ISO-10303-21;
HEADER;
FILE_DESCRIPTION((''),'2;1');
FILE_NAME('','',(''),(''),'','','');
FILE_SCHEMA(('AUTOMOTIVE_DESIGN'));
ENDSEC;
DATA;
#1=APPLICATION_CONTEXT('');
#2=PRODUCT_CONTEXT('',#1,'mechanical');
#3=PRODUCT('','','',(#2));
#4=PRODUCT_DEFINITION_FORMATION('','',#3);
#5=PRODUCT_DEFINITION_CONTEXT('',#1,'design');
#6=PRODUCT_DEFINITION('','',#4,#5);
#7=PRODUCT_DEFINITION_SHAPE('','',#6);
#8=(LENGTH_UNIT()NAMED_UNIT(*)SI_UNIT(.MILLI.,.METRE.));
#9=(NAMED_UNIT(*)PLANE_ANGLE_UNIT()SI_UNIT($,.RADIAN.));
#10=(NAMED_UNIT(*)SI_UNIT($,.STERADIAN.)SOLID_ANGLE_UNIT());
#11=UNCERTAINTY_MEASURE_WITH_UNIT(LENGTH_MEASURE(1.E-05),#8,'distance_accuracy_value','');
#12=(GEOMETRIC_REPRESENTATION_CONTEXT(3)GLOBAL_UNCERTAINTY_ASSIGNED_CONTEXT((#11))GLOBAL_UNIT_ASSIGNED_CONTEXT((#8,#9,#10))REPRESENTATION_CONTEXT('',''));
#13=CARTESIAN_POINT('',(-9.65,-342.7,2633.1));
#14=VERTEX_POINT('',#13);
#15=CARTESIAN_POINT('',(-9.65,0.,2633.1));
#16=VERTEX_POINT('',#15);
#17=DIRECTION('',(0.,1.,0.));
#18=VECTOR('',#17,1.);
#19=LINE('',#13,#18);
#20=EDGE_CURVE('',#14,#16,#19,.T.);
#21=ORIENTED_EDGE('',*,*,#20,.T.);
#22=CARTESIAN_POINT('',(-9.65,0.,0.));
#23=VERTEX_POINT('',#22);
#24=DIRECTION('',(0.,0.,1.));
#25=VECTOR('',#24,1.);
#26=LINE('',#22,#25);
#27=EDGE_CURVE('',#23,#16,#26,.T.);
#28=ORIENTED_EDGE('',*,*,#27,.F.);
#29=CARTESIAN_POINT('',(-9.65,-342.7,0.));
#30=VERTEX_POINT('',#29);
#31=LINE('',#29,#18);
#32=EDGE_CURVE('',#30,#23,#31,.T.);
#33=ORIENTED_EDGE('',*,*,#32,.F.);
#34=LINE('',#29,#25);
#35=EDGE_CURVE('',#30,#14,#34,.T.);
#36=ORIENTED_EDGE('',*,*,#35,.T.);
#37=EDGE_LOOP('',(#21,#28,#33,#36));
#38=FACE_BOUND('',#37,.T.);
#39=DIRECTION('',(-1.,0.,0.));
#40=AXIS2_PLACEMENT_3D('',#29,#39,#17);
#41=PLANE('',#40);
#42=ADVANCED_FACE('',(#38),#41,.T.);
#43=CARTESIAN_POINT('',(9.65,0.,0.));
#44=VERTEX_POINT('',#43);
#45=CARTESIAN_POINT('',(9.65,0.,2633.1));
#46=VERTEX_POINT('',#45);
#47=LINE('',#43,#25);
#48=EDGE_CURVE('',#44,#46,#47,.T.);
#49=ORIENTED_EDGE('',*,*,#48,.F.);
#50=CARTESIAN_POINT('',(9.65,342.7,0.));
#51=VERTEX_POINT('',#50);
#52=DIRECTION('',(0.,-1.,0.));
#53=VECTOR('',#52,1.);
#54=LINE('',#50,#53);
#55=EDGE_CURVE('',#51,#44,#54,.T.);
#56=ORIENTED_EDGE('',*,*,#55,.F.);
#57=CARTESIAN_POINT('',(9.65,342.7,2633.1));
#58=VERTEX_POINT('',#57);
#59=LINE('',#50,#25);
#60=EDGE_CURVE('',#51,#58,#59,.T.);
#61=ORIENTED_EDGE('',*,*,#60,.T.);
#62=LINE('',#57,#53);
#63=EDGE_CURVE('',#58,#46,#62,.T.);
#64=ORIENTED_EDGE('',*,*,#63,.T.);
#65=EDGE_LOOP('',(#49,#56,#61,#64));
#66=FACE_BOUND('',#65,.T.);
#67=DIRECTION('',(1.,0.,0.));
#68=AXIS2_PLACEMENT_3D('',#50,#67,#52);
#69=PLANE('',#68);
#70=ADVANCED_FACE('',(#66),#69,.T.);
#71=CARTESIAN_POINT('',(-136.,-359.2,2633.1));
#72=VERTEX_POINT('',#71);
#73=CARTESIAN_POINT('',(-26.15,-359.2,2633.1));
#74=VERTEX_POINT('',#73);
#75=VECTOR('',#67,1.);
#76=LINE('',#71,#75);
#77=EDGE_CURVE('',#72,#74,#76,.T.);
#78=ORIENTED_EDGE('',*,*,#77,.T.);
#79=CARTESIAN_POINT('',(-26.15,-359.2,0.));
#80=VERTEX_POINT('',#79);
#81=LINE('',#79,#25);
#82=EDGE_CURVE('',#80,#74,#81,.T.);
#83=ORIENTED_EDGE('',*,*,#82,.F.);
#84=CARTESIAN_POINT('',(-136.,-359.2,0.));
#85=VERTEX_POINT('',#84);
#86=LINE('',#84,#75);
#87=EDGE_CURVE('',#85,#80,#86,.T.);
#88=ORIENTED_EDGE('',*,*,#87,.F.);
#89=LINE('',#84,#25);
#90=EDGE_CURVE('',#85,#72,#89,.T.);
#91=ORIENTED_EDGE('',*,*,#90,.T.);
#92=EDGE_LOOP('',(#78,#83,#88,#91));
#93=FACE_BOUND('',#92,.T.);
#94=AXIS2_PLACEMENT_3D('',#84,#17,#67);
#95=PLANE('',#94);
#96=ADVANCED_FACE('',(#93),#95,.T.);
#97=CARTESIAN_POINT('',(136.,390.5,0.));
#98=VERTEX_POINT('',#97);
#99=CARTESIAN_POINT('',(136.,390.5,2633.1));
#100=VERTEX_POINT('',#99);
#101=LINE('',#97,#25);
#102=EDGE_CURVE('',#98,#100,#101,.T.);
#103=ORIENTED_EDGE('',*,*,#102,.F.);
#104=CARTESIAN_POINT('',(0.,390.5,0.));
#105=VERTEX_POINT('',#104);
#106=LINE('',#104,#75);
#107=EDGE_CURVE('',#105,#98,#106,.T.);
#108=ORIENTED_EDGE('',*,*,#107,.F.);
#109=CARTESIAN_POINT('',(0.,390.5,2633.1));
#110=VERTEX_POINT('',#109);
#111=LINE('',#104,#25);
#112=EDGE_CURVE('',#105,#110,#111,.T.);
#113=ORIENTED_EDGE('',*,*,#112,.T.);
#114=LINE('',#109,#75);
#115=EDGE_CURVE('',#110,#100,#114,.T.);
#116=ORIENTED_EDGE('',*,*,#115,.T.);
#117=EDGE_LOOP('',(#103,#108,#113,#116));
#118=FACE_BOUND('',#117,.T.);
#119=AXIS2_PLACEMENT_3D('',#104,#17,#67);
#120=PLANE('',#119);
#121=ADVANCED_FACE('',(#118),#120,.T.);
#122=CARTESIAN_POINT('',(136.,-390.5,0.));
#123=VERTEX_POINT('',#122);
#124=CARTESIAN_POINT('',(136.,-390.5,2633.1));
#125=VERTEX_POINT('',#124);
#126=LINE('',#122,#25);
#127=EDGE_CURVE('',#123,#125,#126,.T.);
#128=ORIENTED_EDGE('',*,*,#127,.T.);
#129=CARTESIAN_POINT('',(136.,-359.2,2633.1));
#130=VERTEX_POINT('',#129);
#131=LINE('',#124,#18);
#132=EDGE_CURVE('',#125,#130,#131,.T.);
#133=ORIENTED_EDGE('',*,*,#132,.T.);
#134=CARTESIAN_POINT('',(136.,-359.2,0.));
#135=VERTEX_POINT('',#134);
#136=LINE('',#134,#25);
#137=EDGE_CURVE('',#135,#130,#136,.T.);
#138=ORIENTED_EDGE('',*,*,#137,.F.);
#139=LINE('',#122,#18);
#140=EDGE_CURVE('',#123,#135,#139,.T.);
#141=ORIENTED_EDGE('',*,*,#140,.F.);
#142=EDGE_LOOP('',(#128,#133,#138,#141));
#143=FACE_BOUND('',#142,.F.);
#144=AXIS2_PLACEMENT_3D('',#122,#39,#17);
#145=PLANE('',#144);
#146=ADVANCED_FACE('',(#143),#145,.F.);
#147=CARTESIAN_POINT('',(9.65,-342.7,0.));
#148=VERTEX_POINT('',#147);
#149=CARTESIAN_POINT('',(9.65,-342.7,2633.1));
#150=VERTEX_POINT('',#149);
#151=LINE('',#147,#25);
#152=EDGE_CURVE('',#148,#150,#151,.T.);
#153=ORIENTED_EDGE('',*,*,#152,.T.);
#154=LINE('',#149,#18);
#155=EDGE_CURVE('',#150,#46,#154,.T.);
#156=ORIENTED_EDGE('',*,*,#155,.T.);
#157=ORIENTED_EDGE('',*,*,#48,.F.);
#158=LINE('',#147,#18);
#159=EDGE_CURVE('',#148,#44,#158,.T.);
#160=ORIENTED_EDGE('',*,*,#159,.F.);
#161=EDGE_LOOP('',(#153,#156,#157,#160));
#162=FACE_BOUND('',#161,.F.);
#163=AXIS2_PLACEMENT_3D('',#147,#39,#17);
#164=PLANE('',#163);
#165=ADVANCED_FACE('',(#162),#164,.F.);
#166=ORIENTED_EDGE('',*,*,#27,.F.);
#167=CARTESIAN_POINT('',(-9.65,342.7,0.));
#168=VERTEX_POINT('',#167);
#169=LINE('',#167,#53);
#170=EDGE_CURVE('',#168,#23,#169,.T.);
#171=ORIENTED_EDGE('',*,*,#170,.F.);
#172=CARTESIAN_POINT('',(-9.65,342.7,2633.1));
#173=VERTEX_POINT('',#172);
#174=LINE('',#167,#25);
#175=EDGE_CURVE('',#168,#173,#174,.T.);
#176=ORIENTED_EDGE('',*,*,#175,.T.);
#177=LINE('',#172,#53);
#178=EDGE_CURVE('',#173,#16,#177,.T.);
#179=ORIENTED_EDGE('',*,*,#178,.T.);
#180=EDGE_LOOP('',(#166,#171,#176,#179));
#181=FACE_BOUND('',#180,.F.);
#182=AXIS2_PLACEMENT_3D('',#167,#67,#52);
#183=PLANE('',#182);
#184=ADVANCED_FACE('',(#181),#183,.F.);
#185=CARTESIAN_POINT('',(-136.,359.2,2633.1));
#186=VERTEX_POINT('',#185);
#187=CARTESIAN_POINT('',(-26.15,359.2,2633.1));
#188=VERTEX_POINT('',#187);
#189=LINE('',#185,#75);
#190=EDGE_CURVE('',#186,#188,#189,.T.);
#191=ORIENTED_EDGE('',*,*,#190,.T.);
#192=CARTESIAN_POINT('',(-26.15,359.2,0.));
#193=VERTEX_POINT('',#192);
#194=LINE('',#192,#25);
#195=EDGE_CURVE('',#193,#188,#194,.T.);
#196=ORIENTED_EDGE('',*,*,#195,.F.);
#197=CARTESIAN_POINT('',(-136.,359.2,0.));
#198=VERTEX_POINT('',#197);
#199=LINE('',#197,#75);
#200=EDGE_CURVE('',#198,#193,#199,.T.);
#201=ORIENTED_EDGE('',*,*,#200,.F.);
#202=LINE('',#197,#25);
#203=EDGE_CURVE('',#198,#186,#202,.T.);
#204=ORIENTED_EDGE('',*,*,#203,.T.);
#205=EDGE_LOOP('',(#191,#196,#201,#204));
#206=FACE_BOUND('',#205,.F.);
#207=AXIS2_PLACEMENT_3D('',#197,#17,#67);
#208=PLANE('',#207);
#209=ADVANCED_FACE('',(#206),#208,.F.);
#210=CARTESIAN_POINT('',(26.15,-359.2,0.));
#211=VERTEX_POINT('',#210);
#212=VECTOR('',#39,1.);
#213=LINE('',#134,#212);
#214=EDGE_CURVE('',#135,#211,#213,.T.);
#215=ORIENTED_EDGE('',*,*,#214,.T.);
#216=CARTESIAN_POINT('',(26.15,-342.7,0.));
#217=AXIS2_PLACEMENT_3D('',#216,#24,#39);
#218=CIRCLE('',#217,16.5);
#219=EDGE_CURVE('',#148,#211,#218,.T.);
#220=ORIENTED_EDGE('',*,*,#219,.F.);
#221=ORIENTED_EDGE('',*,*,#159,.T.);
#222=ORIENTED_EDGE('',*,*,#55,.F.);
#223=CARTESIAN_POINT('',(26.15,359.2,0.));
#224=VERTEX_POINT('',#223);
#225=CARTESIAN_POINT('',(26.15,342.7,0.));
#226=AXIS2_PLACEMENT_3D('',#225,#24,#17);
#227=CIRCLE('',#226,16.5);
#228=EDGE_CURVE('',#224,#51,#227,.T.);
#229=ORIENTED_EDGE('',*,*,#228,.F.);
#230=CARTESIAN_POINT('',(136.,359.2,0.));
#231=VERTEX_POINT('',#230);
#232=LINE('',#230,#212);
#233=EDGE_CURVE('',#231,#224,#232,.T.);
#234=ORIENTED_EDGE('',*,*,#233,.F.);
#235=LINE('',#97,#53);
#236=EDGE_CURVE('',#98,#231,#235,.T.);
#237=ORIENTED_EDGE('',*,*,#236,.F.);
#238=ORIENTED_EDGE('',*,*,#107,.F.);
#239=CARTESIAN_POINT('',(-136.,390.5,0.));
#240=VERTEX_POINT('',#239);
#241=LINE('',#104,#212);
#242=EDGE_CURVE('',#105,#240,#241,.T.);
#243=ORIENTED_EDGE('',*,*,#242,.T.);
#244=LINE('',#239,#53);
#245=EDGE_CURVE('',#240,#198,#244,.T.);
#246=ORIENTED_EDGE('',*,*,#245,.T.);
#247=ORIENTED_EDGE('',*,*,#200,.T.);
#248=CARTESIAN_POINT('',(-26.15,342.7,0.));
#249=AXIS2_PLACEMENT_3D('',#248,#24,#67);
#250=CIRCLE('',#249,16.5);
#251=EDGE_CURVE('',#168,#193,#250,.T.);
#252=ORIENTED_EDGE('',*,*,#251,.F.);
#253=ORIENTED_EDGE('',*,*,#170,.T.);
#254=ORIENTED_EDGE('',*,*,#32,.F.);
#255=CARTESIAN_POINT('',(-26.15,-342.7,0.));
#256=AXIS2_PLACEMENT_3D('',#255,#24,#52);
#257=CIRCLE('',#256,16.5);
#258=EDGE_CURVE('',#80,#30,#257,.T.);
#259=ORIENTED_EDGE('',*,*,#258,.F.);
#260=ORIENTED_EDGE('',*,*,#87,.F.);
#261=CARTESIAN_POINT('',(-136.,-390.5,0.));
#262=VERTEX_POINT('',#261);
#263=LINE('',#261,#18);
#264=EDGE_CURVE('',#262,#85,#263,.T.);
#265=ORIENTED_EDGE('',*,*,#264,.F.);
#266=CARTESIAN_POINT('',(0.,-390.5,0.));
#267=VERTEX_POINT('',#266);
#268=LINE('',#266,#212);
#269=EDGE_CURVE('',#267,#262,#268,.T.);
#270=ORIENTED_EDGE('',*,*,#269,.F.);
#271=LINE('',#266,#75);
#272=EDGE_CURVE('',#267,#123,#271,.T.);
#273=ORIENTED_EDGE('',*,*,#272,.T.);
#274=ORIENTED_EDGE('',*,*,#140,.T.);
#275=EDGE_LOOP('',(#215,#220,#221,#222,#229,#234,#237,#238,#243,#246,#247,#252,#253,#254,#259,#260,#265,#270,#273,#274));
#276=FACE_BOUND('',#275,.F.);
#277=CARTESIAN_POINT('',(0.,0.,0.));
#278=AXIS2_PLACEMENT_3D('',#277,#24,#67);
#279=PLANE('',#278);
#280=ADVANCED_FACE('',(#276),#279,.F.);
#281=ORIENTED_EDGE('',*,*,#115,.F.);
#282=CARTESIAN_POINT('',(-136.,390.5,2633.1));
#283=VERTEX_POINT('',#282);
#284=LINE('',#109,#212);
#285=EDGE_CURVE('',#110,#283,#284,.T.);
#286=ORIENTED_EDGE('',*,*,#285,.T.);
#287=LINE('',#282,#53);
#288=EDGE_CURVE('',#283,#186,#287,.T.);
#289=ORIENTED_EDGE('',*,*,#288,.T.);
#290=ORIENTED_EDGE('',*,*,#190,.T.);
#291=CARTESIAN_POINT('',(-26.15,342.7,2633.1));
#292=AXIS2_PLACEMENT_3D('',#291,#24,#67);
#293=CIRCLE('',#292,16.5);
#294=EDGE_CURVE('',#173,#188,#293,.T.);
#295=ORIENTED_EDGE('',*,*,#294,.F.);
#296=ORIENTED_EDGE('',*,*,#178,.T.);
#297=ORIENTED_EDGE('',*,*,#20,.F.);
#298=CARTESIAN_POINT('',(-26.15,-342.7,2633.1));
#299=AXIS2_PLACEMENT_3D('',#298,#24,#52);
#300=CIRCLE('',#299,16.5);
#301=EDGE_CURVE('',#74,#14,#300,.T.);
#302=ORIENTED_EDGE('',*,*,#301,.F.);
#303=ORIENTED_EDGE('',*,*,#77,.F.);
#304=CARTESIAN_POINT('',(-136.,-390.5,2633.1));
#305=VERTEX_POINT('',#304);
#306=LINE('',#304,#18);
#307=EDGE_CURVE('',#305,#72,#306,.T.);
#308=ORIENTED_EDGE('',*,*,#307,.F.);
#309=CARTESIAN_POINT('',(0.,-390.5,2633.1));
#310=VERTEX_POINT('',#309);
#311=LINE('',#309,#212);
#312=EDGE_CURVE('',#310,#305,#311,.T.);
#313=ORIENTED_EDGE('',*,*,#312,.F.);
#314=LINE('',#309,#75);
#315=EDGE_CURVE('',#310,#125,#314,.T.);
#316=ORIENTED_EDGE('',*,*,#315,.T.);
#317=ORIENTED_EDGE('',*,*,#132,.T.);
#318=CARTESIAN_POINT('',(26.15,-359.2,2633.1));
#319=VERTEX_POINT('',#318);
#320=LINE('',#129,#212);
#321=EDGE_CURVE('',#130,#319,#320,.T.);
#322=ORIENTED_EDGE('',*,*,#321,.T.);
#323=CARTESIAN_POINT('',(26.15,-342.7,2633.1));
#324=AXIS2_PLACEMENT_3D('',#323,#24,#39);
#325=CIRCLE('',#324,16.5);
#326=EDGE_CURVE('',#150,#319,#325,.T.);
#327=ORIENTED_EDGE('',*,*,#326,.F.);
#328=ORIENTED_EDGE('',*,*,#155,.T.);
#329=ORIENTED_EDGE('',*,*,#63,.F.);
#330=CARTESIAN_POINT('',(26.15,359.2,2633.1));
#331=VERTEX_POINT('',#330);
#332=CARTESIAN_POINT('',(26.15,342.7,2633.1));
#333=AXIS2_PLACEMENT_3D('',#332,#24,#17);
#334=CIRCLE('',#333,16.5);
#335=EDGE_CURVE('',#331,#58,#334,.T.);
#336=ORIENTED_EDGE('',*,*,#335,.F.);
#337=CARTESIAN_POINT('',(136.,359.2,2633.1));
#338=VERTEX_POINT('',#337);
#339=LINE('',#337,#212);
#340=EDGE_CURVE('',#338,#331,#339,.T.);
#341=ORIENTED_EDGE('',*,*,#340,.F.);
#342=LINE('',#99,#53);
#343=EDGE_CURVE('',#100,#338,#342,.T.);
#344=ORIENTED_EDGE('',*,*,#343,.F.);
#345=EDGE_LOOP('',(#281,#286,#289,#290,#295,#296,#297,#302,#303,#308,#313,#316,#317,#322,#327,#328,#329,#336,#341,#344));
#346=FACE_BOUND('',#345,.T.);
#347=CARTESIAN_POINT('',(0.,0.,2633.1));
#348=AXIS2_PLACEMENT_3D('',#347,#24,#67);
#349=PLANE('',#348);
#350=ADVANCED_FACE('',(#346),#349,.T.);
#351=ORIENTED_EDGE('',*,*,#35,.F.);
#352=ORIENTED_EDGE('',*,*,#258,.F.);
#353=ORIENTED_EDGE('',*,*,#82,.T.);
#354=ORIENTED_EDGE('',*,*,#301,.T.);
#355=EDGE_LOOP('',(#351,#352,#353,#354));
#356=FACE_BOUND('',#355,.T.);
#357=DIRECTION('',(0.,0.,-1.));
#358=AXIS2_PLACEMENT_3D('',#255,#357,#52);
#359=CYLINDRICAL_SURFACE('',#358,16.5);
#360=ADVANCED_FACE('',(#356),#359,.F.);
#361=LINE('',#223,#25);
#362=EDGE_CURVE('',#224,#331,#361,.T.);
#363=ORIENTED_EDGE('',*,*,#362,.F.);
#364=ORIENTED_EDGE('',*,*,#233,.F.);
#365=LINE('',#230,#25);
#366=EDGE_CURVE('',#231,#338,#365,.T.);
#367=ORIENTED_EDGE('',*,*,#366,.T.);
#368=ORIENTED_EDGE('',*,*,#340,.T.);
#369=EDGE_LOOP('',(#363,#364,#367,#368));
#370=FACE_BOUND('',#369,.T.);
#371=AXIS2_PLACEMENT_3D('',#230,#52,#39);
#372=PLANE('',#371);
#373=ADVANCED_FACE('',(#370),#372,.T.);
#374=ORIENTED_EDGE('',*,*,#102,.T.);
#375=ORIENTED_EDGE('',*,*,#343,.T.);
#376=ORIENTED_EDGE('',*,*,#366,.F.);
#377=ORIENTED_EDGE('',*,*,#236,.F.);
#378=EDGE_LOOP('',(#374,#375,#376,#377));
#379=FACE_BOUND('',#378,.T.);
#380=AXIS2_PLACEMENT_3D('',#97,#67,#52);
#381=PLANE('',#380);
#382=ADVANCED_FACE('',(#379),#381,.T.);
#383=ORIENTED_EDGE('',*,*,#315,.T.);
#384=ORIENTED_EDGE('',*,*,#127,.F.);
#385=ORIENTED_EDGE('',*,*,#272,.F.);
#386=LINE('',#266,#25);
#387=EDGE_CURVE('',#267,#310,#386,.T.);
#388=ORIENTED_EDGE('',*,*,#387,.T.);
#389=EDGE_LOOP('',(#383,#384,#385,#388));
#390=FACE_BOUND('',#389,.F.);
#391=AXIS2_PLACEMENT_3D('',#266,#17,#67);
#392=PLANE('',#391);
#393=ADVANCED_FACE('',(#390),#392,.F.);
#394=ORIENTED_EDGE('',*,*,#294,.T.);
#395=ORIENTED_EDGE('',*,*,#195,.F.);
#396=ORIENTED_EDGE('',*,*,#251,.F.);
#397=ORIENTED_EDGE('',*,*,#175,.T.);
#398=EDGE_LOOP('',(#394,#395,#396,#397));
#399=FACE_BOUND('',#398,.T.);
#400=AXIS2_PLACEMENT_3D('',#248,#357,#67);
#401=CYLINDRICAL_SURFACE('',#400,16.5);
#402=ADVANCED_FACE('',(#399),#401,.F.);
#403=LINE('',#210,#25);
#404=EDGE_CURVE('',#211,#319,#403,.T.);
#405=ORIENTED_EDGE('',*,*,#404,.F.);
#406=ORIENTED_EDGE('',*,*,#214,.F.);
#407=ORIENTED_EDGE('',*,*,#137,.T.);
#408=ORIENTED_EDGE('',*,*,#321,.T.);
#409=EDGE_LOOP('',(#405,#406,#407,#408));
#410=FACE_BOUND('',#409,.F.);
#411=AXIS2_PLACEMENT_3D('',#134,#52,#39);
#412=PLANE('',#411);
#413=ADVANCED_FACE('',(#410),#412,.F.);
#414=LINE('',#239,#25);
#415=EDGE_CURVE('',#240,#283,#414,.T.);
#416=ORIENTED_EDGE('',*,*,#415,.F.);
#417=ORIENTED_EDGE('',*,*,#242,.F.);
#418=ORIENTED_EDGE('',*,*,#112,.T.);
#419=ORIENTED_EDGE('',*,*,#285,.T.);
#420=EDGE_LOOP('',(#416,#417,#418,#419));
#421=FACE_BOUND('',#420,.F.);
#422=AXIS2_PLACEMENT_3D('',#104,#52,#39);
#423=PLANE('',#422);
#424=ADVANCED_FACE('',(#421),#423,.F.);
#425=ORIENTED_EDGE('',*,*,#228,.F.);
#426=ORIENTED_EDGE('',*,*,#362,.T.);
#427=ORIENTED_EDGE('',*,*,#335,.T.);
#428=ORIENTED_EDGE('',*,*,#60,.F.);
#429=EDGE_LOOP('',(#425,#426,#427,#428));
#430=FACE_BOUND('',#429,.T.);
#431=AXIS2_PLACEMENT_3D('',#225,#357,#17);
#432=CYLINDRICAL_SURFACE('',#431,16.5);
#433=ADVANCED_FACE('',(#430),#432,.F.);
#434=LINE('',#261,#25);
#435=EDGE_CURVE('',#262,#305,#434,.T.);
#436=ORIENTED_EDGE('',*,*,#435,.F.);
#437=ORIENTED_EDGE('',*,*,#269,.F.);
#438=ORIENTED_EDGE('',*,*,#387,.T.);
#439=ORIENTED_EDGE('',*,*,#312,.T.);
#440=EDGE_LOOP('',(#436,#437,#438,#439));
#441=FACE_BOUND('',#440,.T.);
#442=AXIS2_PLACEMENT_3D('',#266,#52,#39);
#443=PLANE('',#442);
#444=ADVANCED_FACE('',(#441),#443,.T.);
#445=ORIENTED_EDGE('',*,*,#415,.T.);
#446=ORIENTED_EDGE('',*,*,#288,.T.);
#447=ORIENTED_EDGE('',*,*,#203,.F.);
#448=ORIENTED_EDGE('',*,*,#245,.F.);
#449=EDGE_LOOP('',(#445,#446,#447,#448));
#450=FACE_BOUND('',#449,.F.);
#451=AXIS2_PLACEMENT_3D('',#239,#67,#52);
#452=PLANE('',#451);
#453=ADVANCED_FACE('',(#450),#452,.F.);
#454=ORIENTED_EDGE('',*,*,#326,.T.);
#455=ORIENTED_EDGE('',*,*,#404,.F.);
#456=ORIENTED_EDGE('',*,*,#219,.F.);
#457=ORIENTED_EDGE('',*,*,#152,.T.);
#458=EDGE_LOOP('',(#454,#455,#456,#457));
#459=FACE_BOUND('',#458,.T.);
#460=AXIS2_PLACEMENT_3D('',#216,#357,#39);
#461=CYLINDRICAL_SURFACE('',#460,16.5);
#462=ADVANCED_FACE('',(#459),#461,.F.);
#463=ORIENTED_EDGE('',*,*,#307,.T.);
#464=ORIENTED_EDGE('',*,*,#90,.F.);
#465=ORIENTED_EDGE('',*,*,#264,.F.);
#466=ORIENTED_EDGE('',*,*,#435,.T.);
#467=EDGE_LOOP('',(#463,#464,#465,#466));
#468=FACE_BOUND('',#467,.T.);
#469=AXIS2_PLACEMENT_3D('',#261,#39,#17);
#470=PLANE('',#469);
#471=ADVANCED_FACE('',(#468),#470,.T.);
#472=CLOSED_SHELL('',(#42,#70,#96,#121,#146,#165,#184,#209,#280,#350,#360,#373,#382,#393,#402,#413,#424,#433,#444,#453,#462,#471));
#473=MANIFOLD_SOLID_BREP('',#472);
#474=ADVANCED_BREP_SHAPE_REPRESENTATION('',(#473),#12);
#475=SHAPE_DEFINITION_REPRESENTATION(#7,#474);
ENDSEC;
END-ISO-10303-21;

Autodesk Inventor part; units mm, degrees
ref_plane "YZ Plane" through (0, 0, 0) normal (1, 0, 0) x (0, 1, 0)
ref_plane "Start plane" through (0, 0, 0) normal (0, 0, 1) x (1, 0, 0)
ref_plane "End plane" through (0, 0, 2633.1) normal (0, 0, 1) x (1, 0, 0)
sketch "Sketch" plane through (0, 0, 0) normal (0, 0, 1) x (1, 0, 0)
  line L0 (-136, -390.5) -> (-136, -359.2)
  line L1 (-136, -359.2) -> (-26.15, -359.2)
  line L2 (-9.65, -342.7) -> (-9.65, 0)
  line L3 (-9.65, 0) -> (0, 0) construction
  line L4 (0, 0) -> (0, -390.5) construction
  line L5 (0, -390.5) -> (-136, -390.5)
  line L6 (-60, 0) -> (80, 0) construction
  line L7 (0, -60) -> (0, 80) construction
  line L8 (136, -390.5) -> (136, -359.2)
  line L9 (136, -359.2) -> (26.15, -359.2)
  line L10 (9.65, -342.7) -> (9.65, 0)
  line L11 (9.65, 0) -> (0, 0) construction
  line L12 (0, -390.5) -> (136, -390.5)
  line L13 (-136, 390.5) -> (-136, 359.2)
  line L14 (-136, 359.2) -> (-26.15, 359.2)
  line L15 (-9.65, 342.7) -> (-9.65, 0)
  line L16 (0, 390.5) -> (-136, 390.5)
  line L17 (136, 390.5) -> (136, 359.2)
  line L18 (136, 359.2) -> (26.15, 359.2)
  line L19 (0, 390.5) -> (136, 390.5)
  line L20 (9.65, 342.7) -> (9.65, 0)
  arc A0 (-9.65, 342.7) -> (-26.15, 359.2) centre (-26.15, 342.7) ccw
  arc A1 (26.15, 359.2) -> (9.65, 342.7) centre (26.15, 342.7) ccw
  arc A2 (9.65, -342.7) -> (26.15, -359.2) centre (26.15, -342.7) ccw
  arc A3 (-26.15, -359.2) -> (-9.65, -342.7) centre (-26.15, -342.7) ccw
  line L21 (0, 108) -> (0, -88) construction
  line L22 (-88, 0) -> (108, 0) construction
  point P0 (-9.65, -359.2)
  point P1 (9.65, -359.2)
  point P2 (-9.65, 359.2)
  point P3 (9.65, 359.2)
  dimension "d1" = 390.5
  dimension "d2" = 31.3
  dimension "d3" = 136
  dimension "d4" = 9.65
  dimension "d10" = 16.5
extrude "Body" add sketch "Sketch" along normal up to surface (2633.1 mm away) from surface at 0
sketch "Sketch4" plane through (0, 0, 0) normal (0, 0, 1) x (1, 0, 0)
  line L0 (0, 0) -> (10, 0)
ref_plane "Work Plane3" through (0, 0, 0) normal (0, -1, 0) x (1, 0, 0)
sketch "Sketch5" plane through (0, 0, 0) normal (0, -1, 0) x (1, 0, 0)
  line L0 (-2, 0) -> (12, 0) projected
  line L1 (-2, 2633.1) -> (12, 2633.1) projected
  dimension "d14" = 2633.1
equation "\"d1\" = 0.5 * G_H"
equation "\"d2\" = G_T1"
equation "\"d3\" = 0.5 * G_W"
equation "\"d4\" = 0.5 * G_T"
equation "\"d10\" = G_IR"
equation "\"d5\" = G_L"
equation "\"G_W\" = 272"
equation "\"G_H\" = 781"
equation "\"G_T\" = 19.3"
equation "\"G_T1\" = 31.3"
equation "\"G_IR\" = 16.5"
equation "\"G_L\" = d14"
equation "\"G_OFFSET_START\" = 0"
equation "\"G_OFFSET_END\" = 0"
equation "\"d12\" = G_OFFSET_END + B_L"
equation "\"B_L\" = 2633.1"
properties part number "AS 3679-1990 - 760 UB - 244 - 2633.1" material "Steel, Mild"
